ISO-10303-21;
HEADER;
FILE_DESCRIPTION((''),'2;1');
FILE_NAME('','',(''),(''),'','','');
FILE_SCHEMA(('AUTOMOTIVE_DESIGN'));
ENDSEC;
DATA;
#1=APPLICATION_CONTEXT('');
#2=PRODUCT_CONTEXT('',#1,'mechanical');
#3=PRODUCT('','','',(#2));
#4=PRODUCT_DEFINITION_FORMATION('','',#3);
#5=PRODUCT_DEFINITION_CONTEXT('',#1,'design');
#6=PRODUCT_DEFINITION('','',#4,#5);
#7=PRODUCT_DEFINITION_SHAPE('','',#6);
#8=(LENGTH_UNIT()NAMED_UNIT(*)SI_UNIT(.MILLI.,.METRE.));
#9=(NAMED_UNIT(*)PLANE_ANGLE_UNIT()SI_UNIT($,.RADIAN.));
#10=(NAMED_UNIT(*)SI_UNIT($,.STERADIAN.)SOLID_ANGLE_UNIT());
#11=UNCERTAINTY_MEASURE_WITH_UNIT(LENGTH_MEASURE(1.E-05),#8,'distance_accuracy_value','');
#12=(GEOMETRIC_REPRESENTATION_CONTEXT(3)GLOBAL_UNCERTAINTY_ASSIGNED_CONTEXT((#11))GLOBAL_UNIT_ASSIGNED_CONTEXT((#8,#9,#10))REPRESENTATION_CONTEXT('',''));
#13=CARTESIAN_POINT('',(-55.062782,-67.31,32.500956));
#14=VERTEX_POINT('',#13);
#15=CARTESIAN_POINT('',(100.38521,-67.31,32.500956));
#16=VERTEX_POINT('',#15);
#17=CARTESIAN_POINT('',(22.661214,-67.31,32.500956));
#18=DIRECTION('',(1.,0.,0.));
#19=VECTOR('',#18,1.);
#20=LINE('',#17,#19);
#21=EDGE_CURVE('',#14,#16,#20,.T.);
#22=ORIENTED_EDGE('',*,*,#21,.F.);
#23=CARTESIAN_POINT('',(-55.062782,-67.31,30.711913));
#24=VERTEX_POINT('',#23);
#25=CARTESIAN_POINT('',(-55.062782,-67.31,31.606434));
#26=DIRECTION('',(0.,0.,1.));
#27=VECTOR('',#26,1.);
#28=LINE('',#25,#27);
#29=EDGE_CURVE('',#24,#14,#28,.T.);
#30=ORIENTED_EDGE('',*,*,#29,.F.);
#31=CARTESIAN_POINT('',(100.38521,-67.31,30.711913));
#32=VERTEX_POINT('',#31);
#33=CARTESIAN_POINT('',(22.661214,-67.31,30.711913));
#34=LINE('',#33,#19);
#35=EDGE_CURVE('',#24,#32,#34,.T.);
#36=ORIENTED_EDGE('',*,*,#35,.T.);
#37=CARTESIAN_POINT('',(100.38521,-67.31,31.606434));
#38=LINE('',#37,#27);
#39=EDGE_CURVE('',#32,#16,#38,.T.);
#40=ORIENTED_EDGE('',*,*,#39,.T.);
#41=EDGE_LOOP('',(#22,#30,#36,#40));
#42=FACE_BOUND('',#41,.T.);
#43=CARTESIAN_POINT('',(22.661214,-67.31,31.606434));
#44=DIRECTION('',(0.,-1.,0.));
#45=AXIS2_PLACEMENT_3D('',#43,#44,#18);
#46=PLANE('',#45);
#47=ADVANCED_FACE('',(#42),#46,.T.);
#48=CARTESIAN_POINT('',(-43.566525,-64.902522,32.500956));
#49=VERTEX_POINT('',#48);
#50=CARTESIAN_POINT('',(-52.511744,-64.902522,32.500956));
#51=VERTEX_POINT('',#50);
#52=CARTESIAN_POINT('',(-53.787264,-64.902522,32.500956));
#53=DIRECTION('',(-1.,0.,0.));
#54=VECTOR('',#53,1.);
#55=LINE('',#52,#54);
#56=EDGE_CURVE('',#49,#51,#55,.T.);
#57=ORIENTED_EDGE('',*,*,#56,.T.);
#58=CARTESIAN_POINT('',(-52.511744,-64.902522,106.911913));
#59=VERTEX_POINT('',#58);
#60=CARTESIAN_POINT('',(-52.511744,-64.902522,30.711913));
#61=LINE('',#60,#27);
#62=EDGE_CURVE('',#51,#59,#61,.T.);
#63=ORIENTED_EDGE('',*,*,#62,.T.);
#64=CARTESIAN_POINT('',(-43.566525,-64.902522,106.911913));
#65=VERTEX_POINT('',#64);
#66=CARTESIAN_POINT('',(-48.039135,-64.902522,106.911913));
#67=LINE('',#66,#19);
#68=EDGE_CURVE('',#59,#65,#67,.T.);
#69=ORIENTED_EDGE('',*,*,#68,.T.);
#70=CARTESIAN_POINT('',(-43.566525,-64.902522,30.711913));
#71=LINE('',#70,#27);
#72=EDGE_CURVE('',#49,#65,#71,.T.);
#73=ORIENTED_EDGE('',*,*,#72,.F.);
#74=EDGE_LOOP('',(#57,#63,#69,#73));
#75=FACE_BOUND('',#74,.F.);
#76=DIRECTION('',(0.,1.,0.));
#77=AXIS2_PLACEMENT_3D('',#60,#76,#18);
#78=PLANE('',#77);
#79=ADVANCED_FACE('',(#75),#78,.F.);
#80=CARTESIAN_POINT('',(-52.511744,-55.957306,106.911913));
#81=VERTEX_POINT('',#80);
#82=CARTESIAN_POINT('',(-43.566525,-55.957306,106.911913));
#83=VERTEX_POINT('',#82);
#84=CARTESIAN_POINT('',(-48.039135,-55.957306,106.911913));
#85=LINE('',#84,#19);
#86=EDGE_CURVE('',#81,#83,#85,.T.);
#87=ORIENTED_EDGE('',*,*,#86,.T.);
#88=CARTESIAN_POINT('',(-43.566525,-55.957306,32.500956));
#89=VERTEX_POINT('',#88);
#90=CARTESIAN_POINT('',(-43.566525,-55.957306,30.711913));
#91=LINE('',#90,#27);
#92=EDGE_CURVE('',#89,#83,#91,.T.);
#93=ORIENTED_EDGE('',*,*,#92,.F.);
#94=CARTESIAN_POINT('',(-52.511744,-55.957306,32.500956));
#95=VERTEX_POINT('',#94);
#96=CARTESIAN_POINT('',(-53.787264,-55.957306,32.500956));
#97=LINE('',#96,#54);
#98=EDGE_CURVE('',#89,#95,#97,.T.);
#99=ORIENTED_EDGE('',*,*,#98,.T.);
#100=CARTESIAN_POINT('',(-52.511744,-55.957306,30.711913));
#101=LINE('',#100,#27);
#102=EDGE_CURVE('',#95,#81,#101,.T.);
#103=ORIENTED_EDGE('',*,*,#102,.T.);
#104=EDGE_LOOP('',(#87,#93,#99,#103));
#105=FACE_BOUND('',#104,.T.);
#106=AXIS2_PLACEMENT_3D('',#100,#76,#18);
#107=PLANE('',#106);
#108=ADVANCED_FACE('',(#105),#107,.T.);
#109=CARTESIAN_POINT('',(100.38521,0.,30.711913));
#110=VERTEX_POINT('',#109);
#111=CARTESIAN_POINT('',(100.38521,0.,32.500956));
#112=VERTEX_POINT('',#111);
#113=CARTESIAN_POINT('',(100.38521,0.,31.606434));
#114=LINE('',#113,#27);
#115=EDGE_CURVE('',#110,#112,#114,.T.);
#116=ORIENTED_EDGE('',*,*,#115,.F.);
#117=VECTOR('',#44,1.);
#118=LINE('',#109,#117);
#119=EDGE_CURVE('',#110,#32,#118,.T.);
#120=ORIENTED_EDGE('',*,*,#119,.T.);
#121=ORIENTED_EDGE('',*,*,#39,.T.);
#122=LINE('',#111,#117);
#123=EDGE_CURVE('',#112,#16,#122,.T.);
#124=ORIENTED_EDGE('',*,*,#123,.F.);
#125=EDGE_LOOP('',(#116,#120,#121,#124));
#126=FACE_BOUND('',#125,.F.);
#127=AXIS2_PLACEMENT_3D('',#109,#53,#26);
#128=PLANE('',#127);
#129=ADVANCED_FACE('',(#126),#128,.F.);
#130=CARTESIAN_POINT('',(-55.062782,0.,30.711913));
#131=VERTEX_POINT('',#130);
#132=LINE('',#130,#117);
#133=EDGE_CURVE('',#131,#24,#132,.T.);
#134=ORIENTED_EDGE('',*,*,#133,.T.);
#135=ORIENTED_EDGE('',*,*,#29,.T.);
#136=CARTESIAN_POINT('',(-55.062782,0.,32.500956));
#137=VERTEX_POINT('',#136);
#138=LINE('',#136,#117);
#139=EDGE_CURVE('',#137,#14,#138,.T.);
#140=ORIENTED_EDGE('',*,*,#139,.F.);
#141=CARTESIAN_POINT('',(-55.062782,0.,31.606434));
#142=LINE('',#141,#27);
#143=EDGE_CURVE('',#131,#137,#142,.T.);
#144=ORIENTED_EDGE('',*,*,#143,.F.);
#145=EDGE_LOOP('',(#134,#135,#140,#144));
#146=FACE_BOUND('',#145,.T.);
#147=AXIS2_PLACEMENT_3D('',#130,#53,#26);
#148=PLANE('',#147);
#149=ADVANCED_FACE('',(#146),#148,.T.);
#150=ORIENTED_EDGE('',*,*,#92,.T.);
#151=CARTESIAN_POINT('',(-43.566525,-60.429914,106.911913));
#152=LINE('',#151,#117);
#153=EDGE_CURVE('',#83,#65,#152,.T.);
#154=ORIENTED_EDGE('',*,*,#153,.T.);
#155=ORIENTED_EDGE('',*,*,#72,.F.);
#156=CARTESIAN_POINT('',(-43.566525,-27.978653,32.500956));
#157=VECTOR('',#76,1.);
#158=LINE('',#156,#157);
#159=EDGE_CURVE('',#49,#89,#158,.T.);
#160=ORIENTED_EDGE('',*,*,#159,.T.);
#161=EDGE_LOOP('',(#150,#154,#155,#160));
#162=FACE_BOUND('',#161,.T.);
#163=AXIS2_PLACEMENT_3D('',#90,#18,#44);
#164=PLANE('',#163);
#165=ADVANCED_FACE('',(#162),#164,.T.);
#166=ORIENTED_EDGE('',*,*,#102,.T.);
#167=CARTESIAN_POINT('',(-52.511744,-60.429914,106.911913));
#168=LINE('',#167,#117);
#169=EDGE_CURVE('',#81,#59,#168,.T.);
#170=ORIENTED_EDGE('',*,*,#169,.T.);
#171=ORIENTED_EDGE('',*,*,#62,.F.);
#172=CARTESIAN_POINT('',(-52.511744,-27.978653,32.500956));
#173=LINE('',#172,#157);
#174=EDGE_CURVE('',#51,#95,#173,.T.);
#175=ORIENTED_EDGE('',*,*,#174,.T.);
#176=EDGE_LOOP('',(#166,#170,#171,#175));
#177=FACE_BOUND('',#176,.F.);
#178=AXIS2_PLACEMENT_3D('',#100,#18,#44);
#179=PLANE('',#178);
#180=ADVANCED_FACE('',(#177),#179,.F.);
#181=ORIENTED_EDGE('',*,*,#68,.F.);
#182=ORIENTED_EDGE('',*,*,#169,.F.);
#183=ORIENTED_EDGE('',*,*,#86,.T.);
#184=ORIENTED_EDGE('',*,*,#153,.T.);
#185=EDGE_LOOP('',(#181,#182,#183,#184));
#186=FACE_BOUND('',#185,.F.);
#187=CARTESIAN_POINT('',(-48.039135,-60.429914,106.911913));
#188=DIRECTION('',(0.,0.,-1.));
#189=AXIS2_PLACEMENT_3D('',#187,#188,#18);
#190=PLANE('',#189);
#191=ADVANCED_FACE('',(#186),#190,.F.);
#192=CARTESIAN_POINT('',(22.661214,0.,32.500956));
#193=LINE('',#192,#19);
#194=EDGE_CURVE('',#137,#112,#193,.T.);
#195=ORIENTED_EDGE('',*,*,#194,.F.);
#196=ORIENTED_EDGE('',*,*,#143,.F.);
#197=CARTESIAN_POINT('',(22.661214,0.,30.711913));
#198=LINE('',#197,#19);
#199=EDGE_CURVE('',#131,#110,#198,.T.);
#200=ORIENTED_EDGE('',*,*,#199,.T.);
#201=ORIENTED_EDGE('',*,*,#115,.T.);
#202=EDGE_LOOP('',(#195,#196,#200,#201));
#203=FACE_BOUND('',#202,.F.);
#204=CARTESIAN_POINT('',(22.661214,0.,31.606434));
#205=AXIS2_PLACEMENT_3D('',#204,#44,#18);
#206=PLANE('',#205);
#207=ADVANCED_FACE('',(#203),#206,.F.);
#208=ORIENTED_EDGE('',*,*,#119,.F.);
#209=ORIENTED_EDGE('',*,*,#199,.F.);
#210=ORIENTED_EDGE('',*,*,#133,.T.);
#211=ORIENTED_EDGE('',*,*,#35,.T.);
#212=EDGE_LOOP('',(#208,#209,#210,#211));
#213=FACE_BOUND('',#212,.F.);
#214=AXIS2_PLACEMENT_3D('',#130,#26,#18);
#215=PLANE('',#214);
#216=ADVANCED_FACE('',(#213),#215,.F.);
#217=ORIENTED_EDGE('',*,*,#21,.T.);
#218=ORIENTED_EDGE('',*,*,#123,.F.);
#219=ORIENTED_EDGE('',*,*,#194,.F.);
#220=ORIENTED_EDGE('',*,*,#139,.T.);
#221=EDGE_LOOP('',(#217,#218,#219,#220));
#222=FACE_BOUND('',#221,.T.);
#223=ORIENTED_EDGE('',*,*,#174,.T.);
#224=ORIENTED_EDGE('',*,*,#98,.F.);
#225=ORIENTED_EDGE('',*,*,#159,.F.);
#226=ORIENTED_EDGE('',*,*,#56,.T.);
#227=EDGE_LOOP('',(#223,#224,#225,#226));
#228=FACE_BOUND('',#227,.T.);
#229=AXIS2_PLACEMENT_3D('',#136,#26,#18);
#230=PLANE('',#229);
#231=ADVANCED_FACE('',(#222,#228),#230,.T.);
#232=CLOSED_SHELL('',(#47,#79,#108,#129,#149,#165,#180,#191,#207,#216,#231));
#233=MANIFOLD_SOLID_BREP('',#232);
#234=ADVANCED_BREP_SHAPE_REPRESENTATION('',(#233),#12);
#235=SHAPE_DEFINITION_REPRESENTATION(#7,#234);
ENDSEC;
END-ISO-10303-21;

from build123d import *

# Parameters (mm, degrees)
F0_W     = 155.447993
F0_H     = 1.789043
F1_DEPTH = 67.31
F2_W     = 8.945219
F2_H     = 8.945216
F3_DEPTH = 76.2


with BuildPart() as f1:
    # F0 (on Front) → F1 (new body)
    with BuildSketch(Plane.XZ):
        with Locations((22.661214, 31.606434)):
            Rectangle(F0_W, F0_H)
    extrude(amount=F1_DEPTH)

    # F2 (on face) → F3 (join)
    with BuildSketch(Plane(origin=(0, 0, 30.711913), x_dir=(1, 0, 0), z_dir=(0, 0, -1))):
        with Locations((-48.039135, 60.429914)):
            Rectangle(F2_W, F2_H)
    extrude(amount=-F3_DEPTH)


solid = f1.part
